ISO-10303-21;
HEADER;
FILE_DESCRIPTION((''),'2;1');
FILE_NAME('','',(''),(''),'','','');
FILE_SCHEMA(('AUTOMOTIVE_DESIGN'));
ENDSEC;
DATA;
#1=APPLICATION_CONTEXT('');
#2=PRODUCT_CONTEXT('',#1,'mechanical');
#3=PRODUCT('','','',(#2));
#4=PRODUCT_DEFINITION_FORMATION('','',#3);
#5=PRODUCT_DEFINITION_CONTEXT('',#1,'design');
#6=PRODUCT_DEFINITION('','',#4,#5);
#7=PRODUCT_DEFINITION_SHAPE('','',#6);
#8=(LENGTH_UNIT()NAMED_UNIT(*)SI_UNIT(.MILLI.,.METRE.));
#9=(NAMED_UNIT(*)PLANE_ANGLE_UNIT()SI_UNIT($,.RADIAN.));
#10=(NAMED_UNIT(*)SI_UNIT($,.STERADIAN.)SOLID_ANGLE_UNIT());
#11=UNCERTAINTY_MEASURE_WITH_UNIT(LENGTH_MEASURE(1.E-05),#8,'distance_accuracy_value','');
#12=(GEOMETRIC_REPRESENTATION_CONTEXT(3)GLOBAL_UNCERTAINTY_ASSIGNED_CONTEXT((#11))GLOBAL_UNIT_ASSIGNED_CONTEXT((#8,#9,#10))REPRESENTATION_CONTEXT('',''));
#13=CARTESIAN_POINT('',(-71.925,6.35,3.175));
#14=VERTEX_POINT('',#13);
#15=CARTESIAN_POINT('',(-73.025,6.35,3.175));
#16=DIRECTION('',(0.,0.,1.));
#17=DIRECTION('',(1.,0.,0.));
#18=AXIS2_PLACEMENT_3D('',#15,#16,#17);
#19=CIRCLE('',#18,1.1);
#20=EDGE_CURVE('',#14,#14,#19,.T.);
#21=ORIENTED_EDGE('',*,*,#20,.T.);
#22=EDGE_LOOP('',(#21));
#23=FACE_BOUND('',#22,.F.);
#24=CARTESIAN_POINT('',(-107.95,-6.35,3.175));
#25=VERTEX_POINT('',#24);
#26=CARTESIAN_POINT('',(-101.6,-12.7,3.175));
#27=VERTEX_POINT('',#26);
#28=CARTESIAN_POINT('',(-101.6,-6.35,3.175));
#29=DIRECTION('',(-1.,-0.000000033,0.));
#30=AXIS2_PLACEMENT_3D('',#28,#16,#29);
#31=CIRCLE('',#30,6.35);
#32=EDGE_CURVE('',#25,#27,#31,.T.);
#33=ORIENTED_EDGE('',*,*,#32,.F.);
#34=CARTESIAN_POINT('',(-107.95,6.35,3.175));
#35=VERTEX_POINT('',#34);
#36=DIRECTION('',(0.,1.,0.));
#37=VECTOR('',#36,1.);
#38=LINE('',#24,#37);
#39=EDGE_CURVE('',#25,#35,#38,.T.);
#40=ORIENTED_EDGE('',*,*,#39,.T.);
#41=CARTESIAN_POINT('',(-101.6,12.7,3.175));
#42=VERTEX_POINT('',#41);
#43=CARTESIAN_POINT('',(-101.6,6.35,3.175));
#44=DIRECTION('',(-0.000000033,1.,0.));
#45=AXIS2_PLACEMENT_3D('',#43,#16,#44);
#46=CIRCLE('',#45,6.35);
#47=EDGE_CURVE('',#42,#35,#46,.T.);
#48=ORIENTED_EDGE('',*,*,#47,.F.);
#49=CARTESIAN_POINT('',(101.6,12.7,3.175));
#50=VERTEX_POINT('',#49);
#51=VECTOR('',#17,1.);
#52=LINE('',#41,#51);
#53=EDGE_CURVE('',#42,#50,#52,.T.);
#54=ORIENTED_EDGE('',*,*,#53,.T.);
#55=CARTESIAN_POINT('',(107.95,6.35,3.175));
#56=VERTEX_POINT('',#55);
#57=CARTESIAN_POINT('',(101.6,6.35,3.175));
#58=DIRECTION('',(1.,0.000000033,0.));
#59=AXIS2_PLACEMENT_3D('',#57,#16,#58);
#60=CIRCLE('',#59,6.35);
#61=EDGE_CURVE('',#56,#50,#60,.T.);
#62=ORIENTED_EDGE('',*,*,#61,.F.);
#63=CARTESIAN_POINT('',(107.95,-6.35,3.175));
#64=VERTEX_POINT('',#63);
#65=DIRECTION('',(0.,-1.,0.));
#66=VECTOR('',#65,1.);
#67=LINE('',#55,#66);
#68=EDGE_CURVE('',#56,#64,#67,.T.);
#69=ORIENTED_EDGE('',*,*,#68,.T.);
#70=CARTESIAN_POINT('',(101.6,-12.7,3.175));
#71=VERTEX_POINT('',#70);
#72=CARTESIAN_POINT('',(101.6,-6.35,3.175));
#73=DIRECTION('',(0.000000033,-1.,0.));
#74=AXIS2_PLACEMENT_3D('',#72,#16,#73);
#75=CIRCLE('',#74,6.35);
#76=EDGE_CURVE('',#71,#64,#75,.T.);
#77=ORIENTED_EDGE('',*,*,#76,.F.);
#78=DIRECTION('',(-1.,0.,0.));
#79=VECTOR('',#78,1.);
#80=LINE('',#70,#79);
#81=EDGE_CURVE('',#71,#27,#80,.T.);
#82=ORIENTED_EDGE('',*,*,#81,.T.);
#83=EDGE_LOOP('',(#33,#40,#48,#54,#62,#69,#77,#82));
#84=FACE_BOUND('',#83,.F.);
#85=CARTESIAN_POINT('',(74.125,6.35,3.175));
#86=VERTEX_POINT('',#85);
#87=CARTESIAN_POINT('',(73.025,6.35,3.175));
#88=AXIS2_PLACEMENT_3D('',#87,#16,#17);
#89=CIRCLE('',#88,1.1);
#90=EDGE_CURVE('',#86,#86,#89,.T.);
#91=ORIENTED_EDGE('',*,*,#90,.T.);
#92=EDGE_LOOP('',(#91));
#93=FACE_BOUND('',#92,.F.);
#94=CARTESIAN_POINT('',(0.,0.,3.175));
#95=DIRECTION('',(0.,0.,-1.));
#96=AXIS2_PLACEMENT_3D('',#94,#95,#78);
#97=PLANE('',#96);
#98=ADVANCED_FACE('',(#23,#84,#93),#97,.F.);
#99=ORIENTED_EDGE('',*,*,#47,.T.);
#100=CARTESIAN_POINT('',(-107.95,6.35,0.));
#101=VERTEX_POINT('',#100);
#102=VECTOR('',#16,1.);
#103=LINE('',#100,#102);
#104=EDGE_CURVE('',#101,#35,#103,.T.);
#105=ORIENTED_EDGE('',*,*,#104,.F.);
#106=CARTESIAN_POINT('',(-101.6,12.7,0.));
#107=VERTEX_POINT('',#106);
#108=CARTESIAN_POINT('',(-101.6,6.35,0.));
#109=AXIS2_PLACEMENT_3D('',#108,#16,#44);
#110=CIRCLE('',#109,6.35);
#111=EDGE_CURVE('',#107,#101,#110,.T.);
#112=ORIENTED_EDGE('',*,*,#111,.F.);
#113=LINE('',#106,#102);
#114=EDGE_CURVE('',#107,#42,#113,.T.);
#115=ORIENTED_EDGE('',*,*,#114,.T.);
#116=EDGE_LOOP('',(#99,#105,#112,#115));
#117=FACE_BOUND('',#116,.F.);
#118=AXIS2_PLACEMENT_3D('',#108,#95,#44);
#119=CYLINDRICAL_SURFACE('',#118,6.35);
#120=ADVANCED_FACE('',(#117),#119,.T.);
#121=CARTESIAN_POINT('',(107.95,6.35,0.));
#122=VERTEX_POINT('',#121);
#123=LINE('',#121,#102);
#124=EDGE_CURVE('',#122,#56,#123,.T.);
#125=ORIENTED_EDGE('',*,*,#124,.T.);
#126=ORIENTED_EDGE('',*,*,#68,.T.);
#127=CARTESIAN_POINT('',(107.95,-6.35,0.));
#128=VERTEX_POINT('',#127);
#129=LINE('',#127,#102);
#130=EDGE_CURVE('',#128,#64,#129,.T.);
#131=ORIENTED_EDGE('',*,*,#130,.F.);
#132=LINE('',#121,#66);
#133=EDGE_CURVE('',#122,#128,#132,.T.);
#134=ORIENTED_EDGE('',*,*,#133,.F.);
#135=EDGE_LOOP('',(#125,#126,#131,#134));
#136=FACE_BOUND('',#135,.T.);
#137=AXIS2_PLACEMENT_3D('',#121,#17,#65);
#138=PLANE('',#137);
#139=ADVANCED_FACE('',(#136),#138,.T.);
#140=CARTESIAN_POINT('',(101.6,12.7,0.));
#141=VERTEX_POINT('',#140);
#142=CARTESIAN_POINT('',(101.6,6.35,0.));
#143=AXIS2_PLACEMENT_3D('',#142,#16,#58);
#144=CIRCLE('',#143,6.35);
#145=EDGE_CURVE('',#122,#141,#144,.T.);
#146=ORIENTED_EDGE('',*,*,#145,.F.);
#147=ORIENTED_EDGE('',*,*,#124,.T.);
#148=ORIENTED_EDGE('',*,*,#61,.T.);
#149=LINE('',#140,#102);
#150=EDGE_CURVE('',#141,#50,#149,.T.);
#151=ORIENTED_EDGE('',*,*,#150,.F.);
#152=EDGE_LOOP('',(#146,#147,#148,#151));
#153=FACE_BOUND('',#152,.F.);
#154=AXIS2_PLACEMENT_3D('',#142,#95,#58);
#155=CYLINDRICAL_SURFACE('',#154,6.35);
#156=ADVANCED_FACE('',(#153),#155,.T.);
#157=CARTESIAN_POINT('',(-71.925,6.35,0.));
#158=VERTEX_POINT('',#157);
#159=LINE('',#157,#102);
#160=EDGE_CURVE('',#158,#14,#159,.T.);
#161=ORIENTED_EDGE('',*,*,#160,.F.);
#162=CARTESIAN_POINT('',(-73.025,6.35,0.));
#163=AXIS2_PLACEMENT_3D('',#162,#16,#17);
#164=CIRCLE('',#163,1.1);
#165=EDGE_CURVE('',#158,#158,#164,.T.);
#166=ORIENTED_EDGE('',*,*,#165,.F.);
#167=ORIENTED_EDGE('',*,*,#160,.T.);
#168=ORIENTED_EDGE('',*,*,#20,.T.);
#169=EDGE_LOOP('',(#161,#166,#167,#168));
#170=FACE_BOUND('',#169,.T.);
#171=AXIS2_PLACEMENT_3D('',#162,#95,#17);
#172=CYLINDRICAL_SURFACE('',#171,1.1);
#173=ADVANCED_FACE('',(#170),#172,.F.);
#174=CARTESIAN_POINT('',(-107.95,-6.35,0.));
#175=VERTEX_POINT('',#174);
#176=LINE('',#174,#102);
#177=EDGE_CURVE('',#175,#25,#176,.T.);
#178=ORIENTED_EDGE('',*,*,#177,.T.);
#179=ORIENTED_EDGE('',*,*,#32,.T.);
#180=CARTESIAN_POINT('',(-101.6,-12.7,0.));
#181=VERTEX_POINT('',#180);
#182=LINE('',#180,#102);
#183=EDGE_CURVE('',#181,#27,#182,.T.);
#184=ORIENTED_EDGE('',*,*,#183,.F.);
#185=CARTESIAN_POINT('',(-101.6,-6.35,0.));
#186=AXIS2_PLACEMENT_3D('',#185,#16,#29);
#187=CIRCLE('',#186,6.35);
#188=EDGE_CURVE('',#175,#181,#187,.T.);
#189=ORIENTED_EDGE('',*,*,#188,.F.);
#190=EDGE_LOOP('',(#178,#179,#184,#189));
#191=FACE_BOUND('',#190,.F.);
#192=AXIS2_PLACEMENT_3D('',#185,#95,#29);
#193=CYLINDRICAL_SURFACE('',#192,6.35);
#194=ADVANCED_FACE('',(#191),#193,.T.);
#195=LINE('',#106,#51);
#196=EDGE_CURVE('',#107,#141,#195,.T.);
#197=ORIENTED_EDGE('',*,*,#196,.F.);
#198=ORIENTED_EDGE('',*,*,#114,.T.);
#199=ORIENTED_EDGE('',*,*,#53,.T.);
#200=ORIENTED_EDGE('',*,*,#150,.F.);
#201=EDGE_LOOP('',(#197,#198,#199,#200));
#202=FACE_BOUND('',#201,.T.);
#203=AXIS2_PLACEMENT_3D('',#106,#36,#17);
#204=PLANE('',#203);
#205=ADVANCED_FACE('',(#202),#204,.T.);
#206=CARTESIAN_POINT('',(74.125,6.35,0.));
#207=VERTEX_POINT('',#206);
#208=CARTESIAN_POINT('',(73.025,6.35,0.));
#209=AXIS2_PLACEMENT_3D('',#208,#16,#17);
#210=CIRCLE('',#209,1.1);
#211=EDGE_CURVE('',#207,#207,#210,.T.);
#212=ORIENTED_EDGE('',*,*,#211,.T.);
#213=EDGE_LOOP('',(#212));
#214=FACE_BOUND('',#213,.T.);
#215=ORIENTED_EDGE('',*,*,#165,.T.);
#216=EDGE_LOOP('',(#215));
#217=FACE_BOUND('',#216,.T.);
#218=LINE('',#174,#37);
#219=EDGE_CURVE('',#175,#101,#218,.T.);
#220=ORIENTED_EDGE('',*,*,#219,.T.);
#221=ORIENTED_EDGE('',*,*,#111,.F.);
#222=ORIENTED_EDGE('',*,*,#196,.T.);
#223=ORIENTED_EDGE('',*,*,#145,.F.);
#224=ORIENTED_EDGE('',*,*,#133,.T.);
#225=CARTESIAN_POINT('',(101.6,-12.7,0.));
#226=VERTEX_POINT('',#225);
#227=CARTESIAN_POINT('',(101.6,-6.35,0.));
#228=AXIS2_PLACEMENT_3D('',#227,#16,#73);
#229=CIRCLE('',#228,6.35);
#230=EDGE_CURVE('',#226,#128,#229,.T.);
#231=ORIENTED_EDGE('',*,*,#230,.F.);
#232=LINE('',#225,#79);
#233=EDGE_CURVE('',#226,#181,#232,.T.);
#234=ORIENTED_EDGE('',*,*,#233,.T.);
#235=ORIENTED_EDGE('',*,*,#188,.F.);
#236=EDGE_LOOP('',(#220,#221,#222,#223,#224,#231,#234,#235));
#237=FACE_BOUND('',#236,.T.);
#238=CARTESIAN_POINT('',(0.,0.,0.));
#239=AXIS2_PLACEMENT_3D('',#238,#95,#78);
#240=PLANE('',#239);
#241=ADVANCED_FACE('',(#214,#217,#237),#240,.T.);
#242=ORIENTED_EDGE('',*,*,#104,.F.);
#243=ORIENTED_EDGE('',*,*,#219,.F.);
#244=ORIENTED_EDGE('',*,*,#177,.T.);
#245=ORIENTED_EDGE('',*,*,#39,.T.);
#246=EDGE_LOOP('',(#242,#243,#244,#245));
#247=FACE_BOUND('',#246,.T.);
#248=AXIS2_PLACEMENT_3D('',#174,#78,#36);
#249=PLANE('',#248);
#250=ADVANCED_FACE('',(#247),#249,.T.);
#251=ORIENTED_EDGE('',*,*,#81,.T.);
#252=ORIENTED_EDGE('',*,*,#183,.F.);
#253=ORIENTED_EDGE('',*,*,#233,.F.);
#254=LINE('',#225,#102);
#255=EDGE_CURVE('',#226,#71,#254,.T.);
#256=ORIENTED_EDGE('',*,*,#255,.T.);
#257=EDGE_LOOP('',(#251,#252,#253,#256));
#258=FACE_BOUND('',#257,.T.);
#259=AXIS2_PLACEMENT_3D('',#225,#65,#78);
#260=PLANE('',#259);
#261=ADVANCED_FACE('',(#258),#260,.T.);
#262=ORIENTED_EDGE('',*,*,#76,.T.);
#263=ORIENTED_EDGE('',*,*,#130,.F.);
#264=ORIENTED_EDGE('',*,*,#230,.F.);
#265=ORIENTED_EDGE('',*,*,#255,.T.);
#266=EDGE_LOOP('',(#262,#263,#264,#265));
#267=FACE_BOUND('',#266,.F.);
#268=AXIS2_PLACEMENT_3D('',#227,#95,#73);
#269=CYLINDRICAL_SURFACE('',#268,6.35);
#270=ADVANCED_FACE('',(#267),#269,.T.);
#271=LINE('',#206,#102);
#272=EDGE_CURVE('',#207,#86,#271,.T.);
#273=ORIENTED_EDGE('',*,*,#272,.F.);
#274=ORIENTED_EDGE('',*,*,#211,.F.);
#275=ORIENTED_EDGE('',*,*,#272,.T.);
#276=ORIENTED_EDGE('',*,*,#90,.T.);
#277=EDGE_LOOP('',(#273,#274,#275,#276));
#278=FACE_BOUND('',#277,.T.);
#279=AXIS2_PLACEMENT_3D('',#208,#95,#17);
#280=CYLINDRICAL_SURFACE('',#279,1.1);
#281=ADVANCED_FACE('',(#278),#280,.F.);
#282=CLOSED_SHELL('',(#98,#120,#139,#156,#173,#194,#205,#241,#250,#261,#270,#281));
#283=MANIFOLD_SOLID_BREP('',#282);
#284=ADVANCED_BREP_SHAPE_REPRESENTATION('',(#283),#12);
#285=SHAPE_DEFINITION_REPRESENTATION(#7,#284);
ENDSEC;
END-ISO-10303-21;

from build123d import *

# Parameters (mm, degrees)
SKETCH_R  = 1.1
PAD_DEPTH = 3.175


with BuildPart() as part:
    # Sketch → Pad (new body)
    with BuildSketch(Plane.XY):
        with BuildLine():
            Line((-101.6, 12.7), (101.6, 12.7))
            ThreePointArc((107.95, 6.35), (106.090128, 10.840128), (101.6, 12.7))
            Line((107.95, 6.35), (107.95, -6.35))
            ThreePointArc((101.6, -12.7), (106.090128, -10.840128), (107.95, -6.35))
            Line((101.6, -12.7), (-101.6, -12.7))
            ThreePointArc((-107.95, -6.35), (-106.090128, -10.840128), (-101.6, -12.7))
            Line((-107.95, -6.35), (-107.95, 6.35))
            ThreePointArc((-101.6, 12.7), (-106.090128, 10.840128), (-107.95, 6.35))
        make_face()
        with Locations((-73.025, 6.35)):
            Circle(SKETCH_R, mode=Mode.SUBTRACT)
        with Locations((73.025, 6.35)):
            Circle(SKETCH_R, mode=Mode.SUBTRACT)
    extrude(amount=PAD_DEPTH)


solid = part.part
